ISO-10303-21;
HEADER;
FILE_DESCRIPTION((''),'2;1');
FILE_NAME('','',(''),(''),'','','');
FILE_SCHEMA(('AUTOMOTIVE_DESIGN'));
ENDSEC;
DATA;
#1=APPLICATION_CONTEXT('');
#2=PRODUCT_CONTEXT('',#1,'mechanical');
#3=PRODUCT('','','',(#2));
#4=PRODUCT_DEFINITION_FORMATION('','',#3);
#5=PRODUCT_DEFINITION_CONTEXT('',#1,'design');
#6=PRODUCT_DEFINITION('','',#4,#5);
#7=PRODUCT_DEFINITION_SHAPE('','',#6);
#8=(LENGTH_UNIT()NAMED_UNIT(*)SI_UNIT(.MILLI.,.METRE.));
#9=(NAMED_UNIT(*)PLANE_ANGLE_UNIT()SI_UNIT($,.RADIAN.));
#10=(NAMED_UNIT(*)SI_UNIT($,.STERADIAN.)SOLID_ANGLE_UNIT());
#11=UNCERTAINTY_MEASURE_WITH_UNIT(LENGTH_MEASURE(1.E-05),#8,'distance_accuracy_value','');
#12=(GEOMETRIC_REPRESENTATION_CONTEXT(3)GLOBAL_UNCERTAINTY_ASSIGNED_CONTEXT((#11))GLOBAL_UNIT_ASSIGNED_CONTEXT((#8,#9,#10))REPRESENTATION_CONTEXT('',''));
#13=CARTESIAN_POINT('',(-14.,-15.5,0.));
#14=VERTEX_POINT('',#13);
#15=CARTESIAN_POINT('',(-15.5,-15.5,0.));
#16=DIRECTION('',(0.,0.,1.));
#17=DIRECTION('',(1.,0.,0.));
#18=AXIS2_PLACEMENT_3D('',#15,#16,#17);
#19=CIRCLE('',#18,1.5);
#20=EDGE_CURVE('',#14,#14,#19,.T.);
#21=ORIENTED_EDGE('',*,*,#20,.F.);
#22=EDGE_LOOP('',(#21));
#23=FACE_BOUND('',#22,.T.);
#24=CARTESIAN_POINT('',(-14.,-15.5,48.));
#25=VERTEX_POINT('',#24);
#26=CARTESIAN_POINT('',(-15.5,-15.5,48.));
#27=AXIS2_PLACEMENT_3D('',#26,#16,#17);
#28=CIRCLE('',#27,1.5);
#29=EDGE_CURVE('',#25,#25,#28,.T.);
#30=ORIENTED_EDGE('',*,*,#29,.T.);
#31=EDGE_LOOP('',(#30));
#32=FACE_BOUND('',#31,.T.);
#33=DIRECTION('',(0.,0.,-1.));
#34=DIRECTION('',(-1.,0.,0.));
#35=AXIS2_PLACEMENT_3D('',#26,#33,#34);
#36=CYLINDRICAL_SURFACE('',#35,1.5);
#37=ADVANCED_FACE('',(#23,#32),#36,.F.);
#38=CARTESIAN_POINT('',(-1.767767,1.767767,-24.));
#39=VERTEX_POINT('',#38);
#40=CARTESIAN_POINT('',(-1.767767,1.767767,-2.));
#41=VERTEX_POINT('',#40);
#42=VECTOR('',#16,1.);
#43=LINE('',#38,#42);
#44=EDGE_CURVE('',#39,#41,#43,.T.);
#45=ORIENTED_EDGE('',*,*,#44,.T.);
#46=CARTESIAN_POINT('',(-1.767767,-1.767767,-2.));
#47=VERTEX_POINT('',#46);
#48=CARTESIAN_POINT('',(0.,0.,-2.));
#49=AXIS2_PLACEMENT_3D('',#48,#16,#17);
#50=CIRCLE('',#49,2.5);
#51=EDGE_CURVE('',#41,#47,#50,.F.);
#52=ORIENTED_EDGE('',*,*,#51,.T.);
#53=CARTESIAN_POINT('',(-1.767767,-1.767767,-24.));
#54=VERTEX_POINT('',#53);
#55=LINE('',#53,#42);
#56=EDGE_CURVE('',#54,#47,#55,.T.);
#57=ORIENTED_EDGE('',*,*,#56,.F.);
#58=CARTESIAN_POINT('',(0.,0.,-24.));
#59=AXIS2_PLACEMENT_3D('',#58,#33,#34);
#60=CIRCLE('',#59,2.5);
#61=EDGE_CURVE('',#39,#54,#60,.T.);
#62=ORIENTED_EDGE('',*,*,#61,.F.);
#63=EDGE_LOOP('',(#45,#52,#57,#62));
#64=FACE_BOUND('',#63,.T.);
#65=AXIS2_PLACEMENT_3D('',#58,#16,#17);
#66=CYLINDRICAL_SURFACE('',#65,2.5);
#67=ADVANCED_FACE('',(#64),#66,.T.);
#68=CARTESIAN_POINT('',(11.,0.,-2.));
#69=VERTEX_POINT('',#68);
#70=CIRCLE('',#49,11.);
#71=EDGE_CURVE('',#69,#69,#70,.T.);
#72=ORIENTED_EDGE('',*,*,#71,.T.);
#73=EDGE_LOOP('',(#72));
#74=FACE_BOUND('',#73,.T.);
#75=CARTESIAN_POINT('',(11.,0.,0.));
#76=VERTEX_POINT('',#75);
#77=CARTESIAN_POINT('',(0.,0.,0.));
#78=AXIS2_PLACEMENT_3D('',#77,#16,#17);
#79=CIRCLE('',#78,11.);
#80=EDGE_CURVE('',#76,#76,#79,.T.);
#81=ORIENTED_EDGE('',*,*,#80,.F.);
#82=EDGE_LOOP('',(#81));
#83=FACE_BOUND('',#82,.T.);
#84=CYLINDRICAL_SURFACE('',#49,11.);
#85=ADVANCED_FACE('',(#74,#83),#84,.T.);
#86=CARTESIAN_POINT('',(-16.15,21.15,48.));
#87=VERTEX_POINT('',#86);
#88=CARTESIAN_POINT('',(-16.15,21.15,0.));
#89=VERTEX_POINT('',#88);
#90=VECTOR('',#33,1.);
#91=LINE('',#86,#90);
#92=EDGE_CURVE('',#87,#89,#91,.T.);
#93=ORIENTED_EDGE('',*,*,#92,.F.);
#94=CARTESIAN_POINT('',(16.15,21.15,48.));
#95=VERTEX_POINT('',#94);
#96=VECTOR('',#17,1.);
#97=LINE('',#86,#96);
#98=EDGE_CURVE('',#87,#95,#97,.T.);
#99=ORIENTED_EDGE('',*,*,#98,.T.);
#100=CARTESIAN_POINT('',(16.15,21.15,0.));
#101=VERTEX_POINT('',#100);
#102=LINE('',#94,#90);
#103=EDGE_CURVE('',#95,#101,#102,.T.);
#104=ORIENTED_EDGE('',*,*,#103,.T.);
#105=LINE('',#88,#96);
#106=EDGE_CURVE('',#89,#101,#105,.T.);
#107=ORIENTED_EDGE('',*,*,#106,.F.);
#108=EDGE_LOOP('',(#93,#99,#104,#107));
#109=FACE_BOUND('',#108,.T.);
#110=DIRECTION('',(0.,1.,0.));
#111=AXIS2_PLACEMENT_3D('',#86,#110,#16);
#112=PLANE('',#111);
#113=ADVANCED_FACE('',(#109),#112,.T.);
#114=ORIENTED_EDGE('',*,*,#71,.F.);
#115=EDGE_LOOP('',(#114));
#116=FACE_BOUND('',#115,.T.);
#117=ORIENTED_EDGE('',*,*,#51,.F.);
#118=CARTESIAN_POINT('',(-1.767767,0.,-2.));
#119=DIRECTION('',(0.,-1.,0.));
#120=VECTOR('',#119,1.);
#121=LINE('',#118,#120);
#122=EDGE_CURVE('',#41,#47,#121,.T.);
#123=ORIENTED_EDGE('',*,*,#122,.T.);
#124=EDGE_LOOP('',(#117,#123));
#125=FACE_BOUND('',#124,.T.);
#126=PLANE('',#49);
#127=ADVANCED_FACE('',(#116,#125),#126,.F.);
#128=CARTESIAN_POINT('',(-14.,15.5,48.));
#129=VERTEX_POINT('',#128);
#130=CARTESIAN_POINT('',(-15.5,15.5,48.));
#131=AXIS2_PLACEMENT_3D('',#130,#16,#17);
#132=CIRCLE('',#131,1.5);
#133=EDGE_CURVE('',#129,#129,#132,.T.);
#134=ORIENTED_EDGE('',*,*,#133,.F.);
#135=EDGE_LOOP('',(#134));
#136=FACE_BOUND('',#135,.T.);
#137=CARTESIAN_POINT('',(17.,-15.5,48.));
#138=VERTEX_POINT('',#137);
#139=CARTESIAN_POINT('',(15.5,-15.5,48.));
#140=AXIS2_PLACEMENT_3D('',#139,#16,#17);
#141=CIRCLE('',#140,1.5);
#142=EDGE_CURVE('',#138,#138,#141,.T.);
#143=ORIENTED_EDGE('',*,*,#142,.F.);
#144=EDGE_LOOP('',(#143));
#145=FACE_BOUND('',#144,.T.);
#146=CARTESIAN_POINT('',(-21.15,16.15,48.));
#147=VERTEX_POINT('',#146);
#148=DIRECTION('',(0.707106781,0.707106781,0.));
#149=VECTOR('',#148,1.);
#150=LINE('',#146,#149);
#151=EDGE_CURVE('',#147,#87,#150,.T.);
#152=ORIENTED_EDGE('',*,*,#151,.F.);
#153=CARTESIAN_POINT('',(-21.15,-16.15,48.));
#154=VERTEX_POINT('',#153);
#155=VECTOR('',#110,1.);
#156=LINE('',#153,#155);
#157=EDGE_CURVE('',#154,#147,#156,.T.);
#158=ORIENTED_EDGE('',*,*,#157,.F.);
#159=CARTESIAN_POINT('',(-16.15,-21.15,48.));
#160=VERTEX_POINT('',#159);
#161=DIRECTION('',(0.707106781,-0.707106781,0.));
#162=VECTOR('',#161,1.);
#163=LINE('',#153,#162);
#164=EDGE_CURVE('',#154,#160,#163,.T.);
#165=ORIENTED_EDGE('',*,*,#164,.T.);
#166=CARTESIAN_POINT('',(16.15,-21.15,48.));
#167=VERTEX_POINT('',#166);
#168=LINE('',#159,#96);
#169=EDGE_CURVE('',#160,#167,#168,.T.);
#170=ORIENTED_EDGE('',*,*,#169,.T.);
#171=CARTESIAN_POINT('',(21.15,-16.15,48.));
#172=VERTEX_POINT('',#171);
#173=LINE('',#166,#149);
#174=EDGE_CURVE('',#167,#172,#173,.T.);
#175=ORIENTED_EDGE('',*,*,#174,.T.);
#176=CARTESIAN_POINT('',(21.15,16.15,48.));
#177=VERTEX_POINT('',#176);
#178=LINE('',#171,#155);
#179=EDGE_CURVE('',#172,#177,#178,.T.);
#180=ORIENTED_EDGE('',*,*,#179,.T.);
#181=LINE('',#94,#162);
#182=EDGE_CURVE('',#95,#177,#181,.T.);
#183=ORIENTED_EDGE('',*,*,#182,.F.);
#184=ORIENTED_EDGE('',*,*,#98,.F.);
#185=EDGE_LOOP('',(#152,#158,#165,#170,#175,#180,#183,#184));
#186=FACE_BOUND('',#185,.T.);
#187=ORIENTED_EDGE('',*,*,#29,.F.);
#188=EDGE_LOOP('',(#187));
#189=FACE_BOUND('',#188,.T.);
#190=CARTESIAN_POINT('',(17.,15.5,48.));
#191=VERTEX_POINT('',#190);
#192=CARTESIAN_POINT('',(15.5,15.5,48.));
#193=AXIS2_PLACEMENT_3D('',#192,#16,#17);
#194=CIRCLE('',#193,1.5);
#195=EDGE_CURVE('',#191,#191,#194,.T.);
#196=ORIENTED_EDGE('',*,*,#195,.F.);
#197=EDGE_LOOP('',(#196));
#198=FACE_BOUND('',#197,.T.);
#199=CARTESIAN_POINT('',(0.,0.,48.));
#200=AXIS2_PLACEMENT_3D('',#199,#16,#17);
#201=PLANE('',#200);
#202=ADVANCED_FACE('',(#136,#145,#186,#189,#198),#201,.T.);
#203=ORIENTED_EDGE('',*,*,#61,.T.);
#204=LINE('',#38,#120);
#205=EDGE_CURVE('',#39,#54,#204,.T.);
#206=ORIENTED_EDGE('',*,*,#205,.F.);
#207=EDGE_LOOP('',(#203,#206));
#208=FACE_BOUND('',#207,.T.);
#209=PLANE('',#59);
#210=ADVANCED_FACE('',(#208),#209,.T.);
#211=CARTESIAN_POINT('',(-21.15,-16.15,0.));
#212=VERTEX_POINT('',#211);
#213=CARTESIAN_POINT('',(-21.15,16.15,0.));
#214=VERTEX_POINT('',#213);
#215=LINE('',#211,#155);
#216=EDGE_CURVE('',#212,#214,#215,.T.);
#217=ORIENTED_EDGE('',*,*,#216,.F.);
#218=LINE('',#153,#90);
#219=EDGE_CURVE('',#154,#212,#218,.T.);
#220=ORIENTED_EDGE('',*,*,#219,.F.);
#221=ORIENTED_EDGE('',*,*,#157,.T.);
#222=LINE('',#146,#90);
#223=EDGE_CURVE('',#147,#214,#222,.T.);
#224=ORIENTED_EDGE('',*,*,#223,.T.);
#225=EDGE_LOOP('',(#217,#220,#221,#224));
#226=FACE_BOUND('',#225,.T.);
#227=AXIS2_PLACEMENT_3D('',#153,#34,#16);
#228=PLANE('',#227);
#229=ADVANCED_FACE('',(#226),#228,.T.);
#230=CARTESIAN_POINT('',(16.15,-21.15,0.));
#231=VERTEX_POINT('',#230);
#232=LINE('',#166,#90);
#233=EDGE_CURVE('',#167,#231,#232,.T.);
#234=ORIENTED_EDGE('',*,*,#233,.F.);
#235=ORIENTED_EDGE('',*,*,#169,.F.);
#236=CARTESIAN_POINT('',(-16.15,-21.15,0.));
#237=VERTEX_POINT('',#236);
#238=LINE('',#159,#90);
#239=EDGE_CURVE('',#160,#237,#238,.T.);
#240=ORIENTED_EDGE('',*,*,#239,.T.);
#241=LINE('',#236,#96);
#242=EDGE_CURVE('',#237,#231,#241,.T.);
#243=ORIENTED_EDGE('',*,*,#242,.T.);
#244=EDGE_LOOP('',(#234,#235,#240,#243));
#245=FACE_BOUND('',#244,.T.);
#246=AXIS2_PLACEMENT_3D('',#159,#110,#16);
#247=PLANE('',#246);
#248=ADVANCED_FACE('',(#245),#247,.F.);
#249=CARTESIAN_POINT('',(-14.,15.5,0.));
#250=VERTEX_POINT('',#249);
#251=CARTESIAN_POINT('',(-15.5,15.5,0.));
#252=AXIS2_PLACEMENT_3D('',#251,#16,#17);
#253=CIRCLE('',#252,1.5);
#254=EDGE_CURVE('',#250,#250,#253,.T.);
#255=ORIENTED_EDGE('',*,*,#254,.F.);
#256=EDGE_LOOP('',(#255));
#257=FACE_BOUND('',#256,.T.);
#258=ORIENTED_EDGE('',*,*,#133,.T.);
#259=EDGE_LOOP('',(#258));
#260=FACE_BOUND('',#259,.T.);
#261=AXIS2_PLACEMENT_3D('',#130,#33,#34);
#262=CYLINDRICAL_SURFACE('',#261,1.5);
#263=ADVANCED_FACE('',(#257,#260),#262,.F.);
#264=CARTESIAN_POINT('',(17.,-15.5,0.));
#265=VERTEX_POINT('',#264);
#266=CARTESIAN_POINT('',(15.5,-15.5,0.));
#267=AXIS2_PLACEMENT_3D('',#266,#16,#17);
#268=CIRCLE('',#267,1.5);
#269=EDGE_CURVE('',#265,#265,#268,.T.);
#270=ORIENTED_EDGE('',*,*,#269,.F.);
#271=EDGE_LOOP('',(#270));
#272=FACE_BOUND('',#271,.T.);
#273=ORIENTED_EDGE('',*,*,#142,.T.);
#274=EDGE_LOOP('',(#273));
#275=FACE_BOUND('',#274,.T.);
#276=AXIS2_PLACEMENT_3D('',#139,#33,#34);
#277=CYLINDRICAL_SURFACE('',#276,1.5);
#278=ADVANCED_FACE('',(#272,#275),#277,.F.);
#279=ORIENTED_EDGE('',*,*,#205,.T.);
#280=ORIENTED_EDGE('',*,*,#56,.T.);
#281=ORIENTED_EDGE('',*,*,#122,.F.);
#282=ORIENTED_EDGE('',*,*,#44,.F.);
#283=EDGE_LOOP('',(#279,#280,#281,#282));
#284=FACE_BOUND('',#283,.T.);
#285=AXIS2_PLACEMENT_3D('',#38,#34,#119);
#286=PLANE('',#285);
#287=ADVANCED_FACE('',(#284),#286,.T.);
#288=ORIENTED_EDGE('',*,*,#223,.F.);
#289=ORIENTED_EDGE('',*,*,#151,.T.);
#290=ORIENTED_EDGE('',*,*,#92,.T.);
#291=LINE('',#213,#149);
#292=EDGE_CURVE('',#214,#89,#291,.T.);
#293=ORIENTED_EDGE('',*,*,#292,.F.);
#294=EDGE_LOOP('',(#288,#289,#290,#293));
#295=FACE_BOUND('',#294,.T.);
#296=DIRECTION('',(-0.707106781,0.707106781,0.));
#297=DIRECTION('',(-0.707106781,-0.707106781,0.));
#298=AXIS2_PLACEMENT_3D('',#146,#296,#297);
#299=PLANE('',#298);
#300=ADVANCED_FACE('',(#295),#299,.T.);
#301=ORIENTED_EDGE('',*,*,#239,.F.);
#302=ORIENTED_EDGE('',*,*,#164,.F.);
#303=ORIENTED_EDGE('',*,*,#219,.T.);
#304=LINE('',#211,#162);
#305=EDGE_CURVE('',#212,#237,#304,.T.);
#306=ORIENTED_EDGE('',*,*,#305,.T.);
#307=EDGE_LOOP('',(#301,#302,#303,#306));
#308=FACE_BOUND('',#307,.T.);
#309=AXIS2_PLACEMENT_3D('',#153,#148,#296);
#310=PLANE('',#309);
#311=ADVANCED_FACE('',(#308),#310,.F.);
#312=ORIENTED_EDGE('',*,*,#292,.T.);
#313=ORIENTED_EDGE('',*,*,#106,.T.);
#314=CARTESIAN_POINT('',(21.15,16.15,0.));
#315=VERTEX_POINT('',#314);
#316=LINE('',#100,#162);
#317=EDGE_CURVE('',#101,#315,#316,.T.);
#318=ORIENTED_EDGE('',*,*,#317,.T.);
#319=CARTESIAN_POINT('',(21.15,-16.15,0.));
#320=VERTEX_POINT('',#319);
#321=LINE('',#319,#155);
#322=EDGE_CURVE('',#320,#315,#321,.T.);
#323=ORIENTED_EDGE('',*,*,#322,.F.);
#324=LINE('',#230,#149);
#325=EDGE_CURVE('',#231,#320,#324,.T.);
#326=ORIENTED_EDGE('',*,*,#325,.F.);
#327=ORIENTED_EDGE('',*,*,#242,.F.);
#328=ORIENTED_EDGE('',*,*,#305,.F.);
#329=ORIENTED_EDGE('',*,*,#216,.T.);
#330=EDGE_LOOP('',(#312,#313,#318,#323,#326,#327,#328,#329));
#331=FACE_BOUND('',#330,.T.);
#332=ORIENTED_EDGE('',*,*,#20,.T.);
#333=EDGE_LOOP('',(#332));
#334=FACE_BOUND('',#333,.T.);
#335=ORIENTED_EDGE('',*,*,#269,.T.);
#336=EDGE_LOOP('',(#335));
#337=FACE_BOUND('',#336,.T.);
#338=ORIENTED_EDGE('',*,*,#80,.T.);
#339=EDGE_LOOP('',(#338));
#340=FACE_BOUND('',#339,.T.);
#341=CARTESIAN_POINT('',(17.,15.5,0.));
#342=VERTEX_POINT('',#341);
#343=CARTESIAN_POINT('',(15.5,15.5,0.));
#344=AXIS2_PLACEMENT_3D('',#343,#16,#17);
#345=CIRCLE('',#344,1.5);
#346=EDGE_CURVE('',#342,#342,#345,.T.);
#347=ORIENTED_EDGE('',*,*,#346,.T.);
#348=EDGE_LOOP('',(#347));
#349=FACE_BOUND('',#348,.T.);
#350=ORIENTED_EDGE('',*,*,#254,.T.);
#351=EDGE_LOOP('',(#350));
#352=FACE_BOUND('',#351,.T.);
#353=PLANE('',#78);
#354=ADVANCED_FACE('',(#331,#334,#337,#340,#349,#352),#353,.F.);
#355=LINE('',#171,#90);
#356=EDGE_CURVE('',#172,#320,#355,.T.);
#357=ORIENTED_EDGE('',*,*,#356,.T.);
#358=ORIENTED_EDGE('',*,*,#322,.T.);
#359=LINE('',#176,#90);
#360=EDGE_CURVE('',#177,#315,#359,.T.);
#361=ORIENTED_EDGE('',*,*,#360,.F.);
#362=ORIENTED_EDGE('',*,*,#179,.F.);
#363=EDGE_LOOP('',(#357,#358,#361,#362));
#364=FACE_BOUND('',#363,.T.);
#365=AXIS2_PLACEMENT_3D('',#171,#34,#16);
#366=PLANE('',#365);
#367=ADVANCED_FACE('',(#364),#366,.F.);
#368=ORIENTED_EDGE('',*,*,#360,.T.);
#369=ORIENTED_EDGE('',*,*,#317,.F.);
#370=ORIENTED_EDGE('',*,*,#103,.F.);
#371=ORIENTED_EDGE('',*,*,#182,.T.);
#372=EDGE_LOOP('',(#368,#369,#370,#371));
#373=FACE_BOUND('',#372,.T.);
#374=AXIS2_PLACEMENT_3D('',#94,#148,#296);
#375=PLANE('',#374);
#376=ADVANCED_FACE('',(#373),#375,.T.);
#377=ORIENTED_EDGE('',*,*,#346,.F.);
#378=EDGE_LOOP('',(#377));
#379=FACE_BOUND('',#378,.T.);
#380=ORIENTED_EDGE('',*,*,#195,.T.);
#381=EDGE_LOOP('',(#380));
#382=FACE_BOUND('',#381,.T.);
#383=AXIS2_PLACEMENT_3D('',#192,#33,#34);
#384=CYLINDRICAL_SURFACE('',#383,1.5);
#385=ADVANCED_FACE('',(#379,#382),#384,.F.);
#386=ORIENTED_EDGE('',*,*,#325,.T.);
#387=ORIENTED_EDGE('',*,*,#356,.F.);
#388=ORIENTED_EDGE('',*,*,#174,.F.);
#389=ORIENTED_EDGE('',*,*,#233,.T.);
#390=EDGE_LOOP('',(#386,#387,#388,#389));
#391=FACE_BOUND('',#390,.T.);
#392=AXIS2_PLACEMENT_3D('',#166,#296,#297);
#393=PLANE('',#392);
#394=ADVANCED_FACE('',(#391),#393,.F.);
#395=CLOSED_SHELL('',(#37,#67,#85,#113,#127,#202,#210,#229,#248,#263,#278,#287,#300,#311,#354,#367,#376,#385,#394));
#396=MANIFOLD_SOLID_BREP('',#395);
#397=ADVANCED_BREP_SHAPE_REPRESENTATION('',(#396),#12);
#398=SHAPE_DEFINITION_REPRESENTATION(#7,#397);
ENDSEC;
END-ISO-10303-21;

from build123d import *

# Parameters (mm, degrees)
SKETCH1_R           = 1.5
BOSS_EXTRUDE1_DEPTH = 48
SKETCH1_5_R         = 11
BOSS_EXTRUDE2_DEPTH = 2
BOSS_EXTRUDE3_DEPTH = 24


with BuildPart() as part:
    # Sketch1 → Boss-Extrude1 (new body)
    with BuildSketch(Plane.XY):
        Polygon((-21.15, 16.15), (-16.15, 21.15), (16.15, 21.15), (21.15, 16.15), (21.15, -16.15), (16.15, -21.15), (-16.15, -21.15), (-21.15, -16.15), align=None)
        with Locations((-15.5, 15.5)):
            Circle(SKETCH1_R, mode=Mode.SUBTRACT)
        with Locations((-15.5, -15.5)):
            Circle(SKETCH1_R, mode=Mode.SUBTRACT)
        with Locations((15.5, -15.5)):
            Circle(SKETCH1_R, mode=Mode.SUBTRACT)
        with Locations((15.5, 15.5)):
            Circle(SKETCH1_R, mode=Mode.SUBTRACT)
    extrude(amount=BOSS_EXTRUDE1_DEPTH)

    # Sketch1<5> → Boss-Extrude2 (add)
    with BuildSketch(Plane.XY):
        Circle(SKETCH1_5_R)
    extrude(amount=-BOSS_EXTRUDE2_DEPTH)

    # Sketch1<6> → Boss-Extrude3 (add)
    with BuildSketch(Plane.XY):
        with BuildLine():
            Line((-1.767766953, 1.767766953), (-1.767766953, -1.767766953))
            ThreePointArc((-1.767766953, -1.767766953), (2.5, 0), (-1.767766953, 1.767766953))
        make_face()
    extrude(amount=-BOSS_EXTRUDE3_DEPTH)


solid = part.part
